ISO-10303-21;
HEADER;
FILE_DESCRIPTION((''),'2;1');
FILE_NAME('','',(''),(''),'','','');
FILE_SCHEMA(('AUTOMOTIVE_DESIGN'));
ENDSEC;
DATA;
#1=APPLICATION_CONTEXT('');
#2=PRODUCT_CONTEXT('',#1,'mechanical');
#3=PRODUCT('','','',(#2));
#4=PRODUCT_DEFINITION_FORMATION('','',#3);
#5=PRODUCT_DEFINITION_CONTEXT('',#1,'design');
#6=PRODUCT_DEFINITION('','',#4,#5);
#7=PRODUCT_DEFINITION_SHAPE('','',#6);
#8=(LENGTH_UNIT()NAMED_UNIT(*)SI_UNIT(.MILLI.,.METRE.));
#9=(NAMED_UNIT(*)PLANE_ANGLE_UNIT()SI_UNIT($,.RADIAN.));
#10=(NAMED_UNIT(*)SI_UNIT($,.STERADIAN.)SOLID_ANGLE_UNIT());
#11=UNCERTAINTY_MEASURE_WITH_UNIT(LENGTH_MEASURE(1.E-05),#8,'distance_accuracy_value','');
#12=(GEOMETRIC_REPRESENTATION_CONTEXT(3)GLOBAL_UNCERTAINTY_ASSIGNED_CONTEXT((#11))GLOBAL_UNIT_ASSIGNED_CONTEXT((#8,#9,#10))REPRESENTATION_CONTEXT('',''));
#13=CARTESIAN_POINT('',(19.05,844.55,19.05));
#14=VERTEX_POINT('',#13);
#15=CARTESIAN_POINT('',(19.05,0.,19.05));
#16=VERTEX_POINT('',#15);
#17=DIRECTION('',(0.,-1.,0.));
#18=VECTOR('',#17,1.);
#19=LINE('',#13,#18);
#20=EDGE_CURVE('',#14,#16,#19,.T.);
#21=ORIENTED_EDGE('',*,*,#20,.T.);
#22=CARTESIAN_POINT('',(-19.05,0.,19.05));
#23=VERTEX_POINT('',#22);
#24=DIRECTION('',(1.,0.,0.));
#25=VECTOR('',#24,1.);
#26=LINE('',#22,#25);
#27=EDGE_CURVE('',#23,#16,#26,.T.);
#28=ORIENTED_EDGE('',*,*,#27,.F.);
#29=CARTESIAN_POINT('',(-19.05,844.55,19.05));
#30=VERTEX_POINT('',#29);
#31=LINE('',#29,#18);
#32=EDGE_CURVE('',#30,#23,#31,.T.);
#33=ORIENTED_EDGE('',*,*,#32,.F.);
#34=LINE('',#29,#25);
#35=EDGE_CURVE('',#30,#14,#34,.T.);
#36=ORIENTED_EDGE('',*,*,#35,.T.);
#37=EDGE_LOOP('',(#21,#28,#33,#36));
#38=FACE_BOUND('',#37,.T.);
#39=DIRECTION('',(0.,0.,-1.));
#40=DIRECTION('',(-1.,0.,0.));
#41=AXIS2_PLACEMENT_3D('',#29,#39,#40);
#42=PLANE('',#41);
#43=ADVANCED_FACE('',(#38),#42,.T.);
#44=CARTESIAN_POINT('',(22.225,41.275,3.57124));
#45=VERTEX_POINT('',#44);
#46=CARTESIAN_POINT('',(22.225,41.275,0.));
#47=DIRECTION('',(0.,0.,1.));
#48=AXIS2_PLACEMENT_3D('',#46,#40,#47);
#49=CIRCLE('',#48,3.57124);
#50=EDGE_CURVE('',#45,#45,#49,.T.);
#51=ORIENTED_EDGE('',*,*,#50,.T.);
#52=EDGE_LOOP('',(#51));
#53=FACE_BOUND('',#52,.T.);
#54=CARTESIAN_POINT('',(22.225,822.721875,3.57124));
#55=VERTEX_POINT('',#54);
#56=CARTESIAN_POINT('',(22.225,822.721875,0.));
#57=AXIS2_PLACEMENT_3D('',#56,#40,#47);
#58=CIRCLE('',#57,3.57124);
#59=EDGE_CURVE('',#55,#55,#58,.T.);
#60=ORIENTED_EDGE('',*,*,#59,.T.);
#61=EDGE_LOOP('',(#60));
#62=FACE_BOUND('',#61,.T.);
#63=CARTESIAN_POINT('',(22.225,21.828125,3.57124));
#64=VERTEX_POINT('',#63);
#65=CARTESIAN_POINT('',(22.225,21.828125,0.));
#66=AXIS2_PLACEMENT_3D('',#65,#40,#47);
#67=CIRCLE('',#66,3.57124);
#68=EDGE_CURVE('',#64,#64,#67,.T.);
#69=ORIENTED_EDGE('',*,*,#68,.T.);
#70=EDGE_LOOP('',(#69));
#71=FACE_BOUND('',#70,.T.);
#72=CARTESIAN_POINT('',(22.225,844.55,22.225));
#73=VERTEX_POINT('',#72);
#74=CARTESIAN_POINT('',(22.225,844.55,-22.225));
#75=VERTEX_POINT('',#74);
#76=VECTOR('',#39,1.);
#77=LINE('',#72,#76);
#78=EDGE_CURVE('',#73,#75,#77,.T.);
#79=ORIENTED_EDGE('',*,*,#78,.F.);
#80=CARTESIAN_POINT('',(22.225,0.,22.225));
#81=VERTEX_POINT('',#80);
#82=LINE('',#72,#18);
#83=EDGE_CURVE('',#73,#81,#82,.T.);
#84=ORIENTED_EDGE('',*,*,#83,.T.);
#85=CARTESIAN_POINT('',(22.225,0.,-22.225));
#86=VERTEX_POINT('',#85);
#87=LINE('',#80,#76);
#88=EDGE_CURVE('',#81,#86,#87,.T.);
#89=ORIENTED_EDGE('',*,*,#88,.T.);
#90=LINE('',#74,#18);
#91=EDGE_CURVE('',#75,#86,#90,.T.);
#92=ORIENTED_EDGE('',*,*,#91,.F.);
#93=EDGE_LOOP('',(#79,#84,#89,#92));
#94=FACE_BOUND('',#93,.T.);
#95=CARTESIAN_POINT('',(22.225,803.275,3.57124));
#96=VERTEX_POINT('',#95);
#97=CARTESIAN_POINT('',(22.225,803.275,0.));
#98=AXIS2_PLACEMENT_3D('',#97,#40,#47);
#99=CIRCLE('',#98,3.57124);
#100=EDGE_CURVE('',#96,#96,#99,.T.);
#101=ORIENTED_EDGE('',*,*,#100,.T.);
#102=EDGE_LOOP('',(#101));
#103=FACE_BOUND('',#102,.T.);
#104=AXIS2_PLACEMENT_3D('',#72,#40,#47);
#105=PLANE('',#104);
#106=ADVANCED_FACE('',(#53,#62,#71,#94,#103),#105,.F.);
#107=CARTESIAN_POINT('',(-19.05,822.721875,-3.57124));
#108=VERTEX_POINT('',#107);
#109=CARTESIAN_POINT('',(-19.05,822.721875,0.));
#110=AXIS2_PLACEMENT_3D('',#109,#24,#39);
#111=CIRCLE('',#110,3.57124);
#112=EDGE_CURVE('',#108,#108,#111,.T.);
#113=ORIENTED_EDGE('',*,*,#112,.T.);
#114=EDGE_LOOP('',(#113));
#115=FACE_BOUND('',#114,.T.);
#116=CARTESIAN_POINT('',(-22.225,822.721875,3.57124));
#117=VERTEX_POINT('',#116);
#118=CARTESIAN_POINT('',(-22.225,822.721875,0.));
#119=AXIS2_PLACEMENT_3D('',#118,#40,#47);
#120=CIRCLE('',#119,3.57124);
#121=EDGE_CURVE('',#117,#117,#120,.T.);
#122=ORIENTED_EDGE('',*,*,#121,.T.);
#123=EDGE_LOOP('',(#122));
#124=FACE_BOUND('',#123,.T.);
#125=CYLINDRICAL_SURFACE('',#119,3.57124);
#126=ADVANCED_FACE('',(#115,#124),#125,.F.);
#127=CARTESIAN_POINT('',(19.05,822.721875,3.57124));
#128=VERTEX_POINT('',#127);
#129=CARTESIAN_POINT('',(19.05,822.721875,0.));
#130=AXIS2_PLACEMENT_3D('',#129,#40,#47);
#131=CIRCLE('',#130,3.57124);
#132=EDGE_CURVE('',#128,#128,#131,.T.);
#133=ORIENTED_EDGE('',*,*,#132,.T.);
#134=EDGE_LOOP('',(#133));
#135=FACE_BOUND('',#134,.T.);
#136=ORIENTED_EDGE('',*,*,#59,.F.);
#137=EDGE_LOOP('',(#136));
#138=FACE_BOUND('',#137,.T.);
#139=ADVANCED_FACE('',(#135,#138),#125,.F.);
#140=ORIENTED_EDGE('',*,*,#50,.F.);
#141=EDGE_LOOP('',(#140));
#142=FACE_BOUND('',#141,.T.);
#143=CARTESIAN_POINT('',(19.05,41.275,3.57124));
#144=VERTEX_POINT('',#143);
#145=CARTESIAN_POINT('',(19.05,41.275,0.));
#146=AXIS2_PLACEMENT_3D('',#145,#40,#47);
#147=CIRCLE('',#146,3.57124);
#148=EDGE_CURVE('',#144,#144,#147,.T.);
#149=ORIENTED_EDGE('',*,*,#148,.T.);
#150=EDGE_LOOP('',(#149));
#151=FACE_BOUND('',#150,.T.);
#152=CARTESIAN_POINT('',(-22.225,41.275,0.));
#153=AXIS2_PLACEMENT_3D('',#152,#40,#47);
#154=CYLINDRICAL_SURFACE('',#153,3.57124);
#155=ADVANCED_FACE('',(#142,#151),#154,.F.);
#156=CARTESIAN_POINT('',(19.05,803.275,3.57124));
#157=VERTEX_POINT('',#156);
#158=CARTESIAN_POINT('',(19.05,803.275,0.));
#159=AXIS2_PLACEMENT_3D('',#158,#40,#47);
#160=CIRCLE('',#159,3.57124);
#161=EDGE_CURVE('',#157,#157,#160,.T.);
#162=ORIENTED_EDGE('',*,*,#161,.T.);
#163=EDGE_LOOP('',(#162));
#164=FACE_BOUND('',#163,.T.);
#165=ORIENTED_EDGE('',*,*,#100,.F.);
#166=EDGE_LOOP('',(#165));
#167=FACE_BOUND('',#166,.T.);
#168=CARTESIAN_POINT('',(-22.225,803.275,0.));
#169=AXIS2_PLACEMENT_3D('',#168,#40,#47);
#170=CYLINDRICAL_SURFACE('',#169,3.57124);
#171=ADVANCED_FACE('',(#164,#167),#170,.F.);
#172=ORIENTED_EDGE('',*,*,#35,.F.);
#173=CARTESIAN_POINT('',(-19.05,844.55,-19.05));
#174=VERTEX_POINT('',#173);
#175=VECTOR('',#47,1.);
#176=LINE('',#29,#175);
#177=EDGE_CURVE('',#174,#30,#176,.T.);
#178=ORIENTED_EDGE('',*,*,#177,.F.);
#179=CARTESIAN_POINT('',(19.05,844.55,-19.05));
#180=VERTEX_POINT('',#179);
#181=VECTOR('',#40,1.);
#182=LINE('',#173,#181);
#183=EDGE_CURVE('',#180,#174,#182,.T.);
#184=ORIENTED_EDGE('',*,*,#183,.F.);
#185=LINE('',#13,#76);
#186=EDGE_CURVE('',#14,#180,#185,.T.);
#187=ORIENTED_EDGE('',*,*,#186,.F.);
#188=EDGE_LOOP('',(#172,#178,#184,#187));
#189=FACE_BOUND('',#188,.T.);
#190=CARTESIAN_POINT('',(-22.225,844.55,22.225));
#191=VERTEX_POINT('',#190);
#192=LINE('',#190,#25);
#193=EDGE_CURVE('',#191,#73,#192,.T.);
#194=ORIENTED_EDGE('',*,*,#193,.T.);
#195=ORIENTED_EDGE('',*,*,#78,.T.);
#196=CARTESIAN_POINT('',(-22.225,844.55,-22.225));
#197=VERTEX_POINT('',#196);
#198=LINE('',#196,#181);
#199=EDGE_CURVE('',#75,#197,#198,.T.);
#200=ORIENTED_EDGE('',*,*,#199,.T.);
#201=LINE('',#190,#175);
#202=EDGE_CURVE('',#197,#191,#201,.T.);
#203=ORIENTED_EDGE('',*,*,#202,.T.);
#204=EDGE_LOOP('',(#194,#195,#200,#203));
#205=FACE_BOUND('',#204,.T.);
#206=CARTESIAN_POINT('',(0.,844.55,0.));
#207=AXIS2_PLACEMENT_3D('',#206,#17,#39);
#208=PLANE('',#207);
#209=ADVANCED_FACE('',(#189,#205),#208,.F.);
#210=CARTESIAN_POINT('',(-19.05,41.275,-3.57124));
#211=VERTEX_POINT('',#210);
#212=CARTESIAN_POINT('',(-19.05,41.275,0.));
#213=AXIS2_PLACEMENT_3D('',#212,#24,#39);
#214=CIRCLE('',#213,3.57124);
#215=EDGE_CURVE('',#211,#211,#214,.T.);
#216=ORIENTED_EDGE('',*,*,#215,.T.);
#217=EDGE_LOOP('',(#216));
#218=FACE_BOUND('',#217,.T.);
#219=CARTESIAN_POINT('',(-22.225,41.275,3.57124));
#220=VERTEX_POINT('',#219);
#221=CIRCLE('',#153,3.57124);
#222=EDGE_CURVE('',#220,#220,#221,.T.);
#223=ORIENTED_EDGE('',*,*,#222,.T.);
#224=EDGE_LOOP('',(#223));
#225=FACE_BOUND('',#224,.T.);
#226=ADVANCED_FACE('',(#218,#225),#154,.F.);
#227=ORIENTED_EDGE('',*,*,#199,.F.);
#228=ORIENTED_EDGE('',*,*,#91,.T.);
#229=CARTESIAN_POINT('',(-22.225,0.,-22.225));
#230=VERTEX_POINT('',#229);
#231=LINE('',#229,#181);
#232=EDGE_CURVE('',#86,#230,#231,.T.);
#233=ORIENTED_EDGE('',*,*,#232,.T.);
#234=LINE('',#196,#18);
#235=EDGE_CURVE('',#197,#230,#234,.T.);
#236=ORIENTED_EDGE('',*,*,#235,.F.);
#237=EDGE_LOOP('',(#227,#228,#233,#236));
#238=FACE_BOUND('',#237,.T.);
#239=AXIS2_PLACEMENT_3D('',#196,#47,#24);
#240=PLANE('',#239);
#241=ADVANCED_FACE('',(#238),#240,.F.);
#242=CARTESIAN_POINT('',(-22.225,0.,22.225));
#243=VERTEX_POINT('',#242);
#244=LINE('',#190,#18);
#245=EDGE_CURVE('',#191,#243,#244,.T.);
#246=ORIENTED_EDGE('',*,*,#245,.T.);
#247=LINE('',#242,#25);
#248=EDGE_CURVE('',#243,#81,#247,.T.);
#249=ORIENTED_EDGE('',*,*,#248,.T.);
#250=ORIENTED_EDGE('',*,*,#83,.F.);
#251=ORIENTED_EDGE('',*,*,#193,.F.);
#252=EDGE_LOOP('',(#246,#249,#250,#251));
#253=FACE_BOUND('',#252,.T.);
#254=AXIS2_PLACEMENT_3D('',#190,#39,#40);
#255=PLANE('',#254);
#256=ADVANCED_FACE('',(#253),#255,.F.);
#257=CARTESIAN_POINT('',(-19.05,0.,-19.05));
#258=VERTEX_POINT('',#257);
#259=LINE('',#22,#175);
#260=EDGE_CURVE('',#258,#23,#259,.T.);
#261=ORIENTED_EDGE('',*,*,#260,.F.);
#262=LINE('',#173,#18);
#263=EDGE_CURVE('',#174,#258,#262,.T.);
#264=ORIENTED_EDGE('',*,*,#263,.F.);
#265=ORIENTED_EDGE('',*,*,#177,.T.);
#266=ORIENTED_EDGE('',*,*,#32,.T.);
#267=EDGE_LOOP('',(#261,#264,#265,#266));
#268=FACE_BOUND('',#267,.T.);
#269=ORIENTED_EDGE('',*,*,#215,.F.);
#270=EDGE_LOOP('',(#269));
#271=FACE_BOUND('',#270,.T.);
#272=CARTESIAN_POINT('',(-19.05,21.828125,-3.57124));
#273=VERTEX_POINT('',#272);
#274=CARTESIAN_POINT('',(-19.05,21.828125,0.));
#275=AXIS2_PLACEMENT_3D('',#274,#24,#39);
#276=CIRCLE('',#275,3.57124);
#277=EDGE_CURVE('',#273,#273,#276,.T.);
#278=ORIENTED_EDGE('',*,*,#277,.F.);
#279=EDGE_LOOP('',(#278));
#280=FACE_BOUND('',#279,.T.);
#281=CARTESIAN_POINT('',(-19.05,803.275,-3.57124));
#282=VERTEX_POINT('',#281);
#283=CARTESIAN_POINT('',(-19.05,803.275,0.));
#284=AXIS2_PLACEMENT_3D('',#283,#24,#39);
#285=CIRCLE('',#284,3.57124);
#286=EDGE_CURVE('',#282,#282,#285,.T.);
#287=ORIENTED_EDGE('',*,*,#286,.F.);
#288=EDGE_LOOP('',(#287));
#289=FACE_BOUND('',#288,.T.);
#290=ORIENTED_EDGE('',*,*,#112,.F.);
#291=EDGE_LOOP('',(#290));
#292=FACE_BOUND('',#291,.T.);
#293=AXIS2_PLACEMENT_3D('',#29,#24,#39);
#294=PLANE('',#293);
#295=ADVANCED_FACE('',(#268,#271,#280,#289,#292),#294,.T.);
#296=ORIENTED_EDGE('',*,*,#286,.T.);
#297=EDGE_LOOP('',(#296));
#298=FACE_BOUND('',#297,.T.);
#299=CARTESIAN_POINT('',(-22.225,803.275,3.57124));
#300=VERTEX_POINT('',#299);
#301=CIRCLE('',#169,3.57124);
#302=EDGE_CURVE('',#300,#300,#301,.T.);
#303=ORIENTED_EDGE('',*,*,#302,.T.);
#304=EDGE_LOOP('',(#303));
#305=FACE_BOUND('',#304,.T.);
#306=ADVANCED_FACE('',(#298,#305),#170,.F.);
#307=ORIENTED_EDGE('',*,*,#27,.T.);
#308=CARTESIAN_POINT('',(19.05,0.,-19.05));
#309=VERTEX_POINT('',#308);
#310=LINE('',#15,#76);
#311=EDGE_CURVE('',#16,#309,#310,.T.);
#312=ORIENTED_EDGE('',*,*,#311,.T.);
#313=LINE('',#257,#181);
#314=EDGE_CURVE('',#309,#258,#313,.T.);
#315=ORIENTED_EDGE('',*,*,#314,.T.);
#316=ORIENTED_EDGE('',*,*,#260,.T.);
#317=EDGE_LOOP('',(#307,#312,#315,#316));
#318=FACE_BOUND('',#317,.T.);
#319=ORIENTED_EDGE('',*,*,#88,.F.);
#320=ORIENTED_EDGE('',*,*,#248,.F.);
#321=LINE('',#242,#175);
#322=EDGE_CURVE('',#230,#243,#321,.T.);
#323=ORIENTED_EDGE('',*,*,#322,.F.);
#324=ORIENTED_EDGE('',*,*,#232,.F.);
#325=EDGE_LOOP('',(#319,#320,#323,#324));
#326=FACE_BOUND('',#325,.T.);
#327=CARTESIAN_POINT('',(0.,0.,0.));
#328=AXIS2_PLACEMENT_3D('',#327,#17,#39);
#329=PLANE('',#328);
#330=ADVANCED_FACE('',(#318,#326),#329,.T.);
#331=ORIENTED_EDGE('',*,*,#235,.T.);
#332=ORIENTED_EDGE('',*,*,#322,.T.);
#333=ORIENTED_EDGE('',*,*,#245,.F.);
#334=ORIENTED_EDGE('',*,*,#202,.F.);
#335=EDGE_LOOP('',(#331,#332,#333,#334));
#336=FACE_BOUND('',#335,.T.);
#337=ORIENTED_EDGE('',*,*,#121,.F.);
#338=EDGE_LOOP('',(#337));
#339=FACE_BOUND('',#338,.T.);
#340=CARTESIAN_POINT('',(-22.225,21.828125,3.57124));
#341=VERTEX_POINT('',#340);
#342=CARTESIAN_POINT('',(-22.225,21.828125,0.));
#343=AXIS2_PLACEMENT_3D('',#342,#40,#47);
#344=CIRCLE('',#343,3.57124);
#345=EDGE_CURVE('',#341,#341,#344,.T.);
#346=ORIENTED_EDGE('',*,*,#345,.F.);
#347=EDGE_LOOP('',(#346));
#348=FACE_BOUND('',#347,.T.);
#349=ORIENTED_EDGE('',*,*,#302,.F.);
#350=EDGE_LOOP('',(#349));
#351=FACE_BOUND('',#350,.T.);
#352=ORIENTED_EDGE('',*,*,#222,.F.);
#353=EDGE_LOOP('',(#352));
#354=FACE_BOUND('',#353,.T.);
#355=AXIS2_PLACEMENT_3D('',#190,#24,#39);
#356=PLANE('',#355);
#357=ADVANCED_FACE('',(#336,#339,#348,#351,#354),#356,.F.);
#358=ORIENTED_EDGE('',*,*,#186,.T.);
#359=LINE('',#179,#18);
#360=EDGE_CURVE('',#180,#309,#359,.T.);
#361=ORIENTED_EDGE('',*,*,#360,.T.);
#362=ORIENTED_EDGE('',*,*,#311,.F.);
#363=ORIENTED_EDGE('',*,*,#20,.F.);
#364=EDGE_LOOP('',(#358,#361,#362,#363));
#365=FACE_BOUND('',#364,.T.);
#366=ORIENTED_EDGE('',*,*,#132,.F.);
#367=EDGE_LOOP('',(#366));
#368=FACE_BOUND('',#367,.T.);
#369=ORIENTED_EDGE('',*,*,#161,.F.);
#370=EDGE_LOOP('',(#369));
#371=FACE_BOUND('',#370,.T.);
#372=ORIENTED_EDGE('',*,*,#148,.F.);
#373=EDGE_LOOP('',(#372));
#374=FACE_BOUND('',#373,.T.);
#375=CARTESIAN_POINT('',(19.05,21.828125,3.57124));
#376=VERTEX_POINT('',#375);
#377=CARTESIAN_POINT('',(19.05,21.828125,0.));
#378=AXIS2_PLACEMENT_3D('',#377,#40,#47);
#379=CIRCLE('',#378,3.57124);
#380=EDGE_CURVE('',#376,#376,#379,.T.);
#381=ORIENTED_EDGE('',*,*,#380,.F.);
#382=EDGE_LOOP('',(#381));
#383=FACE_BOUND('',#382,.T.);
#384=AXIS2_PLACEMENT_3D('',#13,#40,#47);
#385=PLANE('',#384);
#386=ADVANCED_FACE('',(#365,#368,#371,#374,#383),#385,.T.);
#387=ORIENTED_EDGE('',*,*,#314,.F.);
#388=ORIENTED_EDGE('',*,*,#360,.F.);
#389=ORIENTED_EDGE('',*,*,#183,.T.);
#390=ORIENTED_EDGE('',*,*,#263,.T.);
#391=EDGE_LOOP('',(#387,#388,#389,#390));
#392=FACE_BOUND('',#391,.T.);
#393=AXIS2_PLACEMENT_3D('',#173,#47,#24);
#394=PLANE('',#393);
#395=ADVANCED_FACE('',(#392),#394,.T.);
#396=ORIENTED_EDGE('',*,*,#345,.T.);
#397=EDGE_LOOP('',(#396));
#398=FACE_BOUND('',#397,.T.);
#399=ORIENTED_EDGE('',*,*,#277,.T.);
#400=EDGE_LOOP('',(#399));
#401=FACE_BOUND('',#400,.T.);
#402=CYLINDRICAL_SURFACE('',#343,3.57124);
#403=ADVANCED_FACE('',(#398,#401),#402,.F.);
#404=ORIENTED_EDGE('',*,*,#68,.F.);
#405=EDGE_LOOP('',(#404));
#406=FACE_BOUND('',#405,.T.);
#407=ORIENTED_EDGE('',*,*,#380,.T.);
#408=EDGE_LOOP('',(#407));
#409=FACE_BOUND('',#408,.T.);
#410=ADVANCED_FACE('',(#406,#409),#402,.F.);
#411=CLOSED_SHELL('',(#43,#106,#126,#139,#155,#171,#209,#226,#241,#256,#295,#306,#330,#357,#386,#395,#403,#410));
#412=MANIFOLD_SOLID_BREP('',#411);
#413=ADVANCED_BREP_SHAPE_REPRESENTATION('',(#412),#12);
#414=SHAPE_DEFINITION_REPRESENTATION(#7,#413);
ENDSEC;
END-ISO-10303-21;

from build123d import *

# Parameters (mm, degrees)
SKETCH1_W               = 44.45
SKETCH1_H               = 44.45
SKETCH1_W_2             = 38.1
SKETCH1_H_2             = 38.1
BOSS_EXTRUDE1_DEPTH     = 844.55
F_1_4_CLEARANCE_HOLE1_D = 7.14248


with BuildPart() as part:
    # Sketch1 → Boss-Extrude1 (new body)
    with BuildSketch(Plane(origin=(0, 0, 0), x_dir=(1, 0, 0), z_dir=(0, 1, 0))):
        Rectangle(SKETCH1_W, SKETCH1_H)
        Rectangle(SKETCH1_W_2, SKETCH1_H_2, mode=Mode.SUBTRACT)
    extrude(amount=BOSS_EXTRUDE1_DEPTH)

    # 1/4 Clearance Hole1 (through all)
    with Locations(Plane.ZY.offset(22.225)):
        with Locations((0, 803.275), (0, 41.275), (0, 822.721875), (0, 21.828125)):
            Hole(F_1_4_CLEARANCE_HOLE1_D / 2)


solid = part.part
